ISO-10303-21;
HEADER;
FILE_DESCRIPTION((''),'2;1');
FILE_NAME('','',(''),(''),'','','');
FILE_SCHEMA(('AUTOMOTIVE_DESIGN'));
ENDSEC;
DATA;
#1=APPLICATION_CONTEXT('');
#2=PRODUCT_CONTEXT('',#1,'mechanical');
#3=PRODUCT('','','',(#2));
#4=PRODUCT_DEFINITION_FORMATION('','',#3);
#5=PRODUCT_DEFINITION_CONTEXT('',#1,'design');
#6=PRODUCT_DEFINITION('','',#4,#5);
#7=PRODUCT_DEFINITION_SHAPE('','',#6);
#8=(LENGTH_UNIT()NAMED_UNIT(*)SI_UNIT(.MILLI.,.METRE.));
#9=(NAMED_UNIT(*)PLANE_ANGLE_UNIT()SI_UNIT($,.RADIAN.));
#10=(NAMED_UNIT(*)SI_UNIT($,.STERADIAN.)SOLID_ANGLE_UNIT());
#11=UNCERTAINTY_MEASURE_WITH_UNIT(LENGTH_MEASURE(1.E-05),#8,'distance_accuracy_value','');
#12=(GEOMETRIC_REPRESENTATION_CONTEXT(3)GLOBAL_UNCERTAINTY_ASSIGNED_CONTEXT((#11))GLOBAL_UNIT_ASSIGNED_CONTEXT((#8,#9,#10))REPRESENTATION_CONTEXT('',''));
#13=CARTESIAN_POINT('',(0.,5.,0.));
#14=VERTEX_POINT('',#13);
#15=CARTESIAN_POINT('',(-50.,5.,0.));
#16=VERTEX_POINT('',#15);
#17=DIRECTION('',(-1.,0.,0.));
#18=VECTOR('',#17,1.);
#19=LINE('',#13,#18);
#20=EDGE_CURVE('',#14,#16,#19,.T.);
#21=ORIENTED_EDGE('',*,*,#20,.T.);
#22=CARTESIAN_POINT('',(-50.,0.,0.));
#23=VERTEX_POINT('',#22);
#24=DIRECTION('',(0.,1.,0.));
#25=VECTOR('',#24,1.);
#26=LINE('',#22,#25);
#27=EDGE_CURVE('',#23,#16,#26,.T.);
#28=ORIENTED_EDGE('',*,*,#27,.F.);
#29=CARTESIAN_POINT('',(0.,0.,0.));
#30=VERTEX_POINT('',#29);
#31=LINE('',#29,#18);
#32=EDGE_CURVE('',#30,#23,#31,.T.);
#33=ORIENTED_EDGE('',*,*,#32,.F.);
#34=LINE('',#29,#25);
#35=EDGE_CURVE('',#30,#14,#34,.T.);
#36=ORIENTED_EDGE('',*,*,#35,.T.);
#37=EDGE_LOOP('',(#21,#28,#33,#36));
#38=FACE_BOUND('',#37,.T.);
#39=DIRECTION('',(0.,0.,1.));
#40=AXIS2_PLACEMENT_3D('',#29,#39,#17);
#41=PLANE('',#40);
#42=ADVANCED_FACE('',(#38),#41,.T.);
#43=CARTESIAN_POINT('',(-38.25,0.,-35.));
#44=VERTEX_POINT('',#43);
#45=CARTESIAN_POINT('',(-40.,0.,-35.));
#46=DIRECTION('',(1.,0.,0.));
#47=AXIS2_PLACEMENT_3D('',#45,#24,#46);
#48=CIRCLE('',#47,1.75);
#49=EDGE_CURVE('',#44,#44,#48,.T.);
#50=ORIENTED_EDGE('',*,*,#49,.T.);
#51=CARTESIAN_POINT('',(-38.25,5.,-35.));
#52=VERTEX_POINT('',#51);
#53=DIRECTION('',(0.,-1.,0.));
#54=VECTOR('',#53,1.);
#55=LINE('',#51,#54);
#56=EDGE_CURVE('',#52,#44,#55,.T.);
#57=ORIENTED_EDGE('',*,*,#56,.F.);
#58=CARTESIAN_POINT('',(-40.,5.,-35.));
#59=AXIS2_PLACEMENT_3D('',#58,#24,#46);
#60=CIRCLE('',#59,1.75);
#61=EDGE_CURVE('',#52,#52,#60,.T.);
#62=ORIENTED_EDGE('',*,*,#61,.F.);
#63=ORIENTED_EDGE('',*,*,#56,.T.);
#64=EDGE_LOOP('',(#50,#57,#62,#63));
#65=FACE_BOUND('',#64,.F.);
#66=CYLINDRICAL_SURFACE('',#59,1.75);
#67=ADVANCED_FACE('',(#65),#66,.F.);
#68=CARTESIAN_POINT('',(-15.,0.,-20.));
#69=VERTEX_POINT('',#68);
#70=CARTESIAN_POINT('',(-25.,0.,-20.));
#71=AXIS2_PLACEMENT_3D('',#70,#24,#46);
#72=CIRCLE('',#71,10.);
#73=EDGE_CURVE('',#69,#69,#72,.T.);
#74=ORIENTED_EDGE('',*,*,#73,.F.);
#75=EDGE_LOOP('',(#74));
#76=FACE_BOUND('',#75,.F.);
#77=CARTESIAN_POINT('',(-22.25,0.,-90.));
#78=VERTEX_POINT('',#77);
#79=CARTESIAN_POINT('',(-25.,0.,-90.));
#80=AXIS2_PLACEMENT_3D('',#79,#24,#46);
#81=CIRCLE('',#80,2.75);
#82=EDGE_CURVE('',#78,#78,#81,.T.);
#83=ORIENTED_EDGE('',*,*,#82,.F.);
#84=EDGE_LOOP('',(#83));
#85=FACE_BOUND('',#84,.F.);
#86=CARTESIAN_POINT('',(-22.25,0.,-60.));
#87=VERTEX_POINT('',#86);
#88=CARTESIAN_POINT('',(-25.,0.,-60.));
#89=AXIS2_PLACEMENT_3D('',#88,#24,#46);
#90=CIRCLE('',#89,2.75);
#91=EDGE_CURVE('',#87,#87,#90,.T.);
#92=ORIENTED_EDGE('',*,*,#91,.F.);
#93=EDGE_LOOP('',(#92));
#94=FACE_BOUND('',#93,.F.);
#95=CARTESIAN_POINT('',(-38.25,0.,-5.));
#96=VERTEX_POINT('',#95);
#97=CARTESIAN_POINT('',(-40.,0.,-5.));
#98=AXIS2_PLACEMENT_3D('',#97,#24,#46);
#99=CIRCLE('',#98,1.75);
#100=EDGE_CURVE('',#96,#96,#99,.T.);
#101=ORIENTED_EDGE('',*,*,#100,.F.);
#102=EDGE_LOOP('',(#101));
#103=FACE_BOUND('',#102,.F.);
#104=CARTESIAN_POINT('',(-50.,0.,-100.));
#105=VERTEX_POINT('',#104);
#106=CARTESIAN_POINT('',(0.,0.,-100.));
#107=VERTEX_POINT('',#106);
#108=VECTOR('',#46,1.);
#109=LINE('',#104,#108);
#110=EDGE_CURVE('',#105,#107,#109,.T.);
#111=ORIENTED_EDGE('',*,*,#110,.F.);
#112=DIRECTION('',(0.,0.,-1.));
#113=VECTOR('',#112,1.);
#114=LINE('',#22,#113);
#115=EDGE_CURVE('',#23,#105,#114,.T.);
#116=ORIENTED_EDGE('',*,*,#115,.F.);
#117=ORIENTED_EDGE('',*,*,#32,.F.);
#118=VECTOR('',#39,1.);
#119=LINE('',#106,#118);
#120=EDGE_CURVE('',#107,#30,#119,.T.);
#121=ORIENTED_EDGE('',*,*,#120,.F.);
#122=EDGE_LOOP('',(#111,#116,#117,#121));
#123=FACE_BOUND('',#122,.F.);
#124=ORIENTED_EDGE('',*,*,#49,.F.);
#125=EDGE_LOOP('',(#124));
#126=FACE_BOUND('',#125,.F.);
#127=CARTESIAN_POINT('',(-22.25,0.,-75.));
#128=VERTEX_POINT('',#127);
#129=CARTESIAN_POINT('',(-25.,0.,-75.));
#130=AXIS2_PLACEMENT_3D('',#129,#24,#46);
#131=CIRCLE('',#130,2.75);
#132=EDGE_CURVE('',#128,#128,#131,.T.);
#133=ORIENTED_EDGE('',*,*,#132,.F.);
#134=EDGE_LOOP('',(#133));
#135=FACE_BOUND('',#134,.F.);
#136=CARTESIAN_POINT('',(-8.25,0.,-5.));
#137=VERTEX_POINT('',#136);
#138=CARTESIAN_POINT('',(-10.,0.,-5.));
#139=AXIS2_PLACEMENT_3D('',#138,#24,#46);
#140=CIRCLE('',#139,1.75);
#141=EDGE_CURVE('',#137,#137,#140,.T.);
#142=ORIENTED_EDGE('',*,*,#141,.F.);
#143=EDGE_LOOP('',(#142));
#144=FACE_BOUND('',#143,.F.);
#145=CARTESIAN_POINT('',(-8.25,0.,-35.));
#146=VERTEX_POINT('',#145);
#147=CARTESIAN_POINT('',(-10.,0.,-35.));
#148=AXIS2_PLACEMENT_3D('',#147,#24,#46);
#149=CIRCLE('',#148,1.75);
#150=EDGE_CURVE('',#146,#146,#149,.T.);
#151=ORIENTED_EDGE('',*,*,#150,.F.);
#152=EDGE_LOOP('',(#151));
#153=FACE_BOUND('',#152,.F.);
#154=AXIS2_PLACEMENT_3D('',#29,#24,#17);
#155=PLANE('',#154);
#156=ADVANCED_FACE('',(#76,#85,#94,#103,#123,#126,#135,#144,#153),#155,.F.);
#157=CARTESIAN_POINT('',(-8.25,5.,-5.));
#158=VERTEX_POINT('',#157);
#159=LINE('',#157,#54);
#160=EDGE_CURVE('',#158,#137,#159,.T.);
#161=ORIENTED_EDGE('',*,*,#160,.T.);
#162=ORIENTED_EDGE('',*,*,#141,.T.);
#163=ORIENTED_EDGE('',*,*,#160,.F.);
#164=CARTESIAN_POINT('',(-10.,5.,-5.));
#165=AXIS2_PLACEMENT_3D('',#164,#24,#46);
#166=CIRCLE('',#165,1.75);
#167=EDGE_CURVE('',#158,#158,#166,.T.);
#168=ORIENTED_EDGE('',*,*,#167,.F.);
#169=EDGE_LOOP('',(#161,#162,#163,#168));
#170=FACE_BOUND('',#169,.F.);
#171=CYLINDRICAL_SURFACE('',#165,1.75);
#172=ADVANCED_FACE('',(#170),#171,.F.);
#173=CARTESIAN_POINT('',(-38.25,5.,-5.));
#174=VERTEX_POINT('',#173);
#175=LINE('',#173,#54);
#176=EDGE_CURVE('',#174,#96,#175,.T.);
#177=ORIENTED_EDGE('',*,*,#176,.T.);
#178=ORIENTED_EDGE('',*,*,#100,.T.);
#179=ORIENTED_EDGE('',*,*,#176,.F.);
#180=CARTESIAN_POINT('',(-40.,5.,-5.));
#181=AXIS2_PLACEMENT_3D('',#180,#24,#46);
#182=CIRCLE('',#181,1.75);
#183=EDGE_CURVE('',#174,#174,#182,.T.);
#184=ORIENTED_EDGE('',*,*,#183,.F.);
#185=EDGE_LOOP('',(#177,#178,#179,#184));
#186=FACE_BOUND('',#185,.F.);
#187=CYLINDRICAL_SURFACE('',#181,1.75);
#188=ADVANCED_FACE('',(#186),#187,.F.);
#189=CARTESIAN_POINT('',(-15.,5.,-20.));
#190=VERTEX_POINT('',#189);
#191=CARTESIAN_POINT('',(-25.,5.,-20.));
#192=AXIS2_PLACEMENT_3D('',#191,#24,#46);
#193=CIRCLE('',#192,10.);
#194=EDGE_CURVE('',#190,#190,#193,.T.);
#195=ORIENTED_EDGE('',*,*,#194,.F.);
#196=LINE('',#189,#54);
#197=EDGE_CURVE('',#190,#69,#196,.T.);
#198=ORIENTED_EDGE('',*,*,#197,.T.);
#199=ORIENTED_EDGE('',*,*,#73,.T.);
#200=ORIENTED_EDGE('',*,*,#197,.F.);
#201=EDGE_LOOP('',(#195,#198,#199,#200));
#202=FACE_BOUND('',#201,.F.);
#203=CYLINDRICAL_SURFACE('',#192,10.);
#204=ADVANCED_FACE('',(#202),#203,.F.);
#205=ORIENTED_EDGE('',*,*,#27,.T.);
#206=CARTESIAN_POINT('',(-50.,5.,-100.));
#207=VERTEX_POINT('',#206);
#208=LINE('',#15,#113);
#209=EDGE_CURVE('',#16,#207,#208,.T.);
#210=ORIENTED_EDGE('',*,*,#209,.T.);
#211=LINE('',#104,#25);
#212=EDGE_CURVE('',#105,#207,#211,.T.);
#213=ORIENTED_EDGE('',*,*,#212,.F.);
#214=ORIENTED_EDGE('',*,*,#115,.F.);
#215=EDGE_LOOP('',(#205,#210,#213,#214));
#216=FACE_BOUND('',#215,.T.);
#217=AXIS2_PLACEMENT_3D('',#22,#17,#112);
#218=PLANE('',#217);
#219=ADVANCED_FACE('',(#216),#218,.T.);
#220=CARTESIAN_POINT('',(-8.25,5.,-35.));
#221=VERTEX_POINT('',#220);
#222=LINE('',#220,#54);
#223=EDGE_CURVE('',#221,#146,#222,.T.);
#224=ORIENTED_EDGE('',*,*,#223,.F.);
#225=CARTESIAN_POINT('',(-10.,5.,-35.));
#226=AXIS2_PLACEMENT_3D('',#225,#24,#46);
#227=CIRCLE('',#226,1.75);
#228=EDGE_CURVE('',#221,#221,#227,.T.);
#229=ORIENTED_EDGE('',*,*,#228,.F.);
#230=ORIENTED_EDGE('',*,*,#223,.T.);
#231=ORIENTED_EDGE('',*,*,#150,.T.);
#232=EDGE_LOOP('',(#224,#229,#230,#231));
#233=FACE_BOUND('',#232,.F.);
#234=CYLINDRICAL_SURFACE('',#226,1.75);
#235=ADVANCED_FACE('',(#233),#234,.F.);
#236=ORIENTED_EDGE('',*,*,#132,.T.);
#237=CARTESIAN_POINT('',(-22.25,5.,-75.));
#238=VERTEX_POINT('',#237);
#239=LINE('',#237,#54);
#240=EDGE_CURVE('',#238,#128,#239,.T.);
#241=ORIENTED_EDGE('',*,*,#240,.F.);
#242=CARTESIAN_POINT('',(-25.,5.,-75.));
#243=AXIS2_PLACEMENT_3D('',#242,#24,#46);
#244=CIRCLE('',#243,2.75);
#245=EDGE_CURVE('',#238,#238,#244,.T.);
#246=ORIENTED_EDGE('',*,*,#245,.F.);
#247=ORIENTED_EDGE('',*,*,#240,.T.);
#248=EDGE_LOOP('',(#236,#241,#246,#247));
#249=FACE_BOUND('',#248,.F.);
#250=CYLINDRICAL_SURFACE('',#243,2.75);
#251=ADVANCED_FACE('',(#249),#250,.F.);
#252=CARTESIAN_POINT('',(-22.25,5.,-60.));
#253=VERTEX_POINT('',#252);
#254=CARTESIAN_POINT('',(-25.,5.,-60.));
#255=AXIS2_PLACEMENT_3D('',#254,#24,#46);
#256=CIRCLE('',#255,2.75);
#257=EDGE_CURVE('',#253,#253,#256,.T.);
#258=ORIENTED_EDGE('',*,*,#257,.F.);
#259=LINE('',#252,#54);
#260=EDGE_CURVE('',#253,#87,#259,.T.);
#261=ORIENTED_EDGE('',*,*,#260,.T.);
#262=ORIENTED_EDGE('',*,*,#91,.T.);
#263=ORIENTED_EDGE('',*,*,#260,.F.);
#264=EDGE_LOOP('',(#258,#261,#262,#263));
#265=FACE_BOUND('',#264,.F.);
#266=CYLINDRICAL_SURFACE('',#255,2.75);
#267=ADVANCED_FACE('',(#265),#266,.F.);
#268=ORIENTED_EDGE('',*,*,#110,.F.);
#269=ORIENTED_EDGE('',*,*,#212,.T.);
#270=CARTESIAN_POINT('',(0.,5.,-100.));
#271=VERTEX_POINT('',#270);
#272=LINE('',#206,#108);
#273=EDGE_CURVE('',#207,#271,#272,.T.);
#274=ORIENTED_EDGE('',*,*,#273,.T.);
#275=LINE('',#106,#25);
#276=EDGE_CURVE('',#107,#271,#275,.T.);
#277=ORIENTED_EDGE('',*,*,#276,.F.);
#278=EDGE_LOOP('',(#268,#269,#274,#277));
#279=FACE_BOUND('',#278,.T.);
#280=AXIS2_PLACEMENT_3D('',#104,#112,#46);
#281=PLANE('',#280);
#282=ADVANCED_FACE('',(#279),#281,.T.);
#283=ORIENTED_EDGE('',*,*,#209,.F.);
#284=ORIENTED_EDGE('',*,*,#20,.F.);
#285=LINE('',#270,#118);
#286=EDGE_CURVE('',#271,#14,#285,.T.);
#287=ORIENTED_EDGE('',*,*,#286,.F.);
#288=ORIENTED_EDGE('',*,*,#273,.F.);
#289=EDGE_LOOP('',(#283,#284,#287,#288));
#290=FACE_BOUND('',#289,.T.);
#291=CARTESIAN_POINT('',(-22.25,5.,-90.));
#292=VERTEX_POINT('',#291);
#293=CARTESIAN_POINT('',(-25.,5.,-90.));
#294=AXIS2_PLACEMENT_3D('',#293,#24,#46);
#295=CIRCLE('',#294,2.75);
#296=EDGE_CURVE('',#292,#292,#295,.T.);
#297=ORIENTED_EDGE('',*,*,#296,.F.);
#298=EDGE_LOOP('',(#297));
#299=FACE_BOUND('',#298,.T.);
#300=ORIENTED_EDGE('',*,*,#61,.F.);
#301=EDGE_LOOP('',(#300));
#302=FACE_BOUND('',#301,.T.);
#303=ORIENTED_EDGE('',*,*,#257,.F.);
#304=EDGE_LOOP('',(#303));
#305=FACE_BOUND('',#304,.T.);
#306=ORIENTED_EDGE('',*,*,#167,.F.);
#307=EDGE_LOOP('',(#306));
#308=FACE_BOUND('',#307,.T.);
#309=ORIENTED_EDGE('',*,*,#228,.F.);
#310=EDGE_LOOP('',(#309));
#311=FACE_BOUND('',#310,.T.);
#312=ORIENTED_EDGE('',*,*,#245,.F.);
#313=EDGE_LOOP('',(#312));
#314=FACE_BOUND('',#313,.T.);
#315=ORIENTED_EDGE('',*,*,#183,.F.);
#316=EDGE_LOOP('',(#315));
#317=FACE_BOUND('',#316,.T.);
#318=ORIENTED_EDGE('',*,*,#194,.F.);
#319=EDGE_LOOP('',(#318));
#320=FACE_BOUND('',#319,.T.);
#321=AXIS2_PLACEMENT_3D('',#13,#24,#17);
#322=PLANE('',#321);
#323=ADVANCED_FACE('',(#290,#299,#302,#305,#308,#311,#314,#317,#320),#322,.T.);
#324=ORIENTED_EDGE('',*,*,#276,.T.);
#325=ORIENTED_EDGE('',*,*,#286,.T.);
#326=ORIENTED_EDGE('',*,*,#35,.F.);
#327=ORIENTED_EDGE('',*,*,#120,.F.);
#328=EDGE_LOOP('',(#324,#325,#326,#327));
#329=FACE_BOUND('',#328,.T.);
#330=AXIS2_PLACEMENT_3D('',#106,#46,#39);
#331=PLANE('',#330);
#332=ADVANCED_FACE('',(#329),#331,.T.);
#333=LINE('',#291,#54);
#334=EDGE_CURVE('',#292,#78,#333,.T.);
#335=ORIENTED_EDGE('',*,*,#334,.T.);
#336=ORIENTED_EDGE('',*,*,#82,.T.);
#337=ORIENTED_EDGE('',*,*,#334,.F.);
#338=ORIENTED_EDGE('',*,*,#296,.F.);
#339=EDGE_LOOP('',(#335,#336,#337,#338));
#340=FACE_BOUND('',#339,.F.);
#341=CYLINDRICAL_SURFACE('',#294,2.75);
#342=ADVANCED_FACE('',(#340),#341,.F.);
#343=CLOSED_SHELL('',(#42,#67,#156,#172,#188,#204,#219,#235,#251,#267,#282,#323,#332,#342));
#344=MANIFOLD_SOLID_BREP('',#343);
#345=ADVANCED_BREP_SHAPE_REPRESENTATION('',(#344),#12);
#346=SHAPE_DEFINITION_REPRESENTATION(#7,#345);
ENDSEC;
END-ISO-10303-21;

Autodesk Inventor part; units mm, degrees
ref_plane "YZ Plane" through (0, 0, 0) normal (1, 0, 0) x (0, 1, 0)
ref_plane "XZ Plane" through (0, 0, 0) normal (0, 1, 0) x (-1, 0, 0)
ref_plane "XY Plane" through (0, 0, 0) normal (0, 0, 1) x (1, 0, 0)
sketch "Sketch1" plane through (0, 0, 0) normal (0, 1, 0) x (-1, 0, 0)
  line L0 (0, 0) -> (50, 0)
  line L1 (50, 0) -> (50, -100)
  line L2 (50, -100) -> (0, -100)
  line L3 (0, -100) -> (0, 0)
  dimension "d0" = 50
  dimension "d1" = 100
extrude "Extrusion1" add sketch "Sketch1" along normal blind 5
sketch "Sketch2" plane through (0, 5, 0) normal (0, 1, 0) x (1, 0, 0)
  line L0 (-50, 0) -> (0, 0) projected
  line L1 (0, 0) -> (0, 100) projected
  line L2 (0, 100) -> (-50, 100) projected
  line L3 (-50, 100) -> (-50, 0) projected
  circle A0 centre (-25, 90) radius 2.75
  circle A1 centre (-25, 75) radius 2.75
  circle A2 centre (-25, 60) radius 2.75
  circle A3 centre (-40, 5) radius 1.75
  circle A4 centre (-40, 35) radius 1.75
  circle A5 centre (-10, 5) radius 1.75
  circle A6 centre (-10, 35) radius 1.75
  circle A7 centre (-25, 20) radius 10
  dimension "d4" = 5.5
  dimension "d5" = 100
  dimension "d6" = 10
  dimension "d7" = 25
  dimension "d10" = 15
  dimension "d16" = 3.5
  dimension "d19" = 30
  dimension "d22" = 30
  dimension "d25" = 5
  dimension "d26" = 10
  dimension "d33" = 20
  dimension "d34" = 15
  dimension "d35" = 15
extrude "Extrusion3" cut sketch "Sketch2" against normal blind 5 contours A0 | A1 | A2 | A3 | A4 | A5 | A6 | A7
equation "\"d7\" = 0.5 * d29"
equation "\"d22\" = d19"
equation "\"d34\" = 0.5 * d19"
equation "\"d35\" = d34"
equation "\"d29\" = 50"
properties part number "MotorPlate"
